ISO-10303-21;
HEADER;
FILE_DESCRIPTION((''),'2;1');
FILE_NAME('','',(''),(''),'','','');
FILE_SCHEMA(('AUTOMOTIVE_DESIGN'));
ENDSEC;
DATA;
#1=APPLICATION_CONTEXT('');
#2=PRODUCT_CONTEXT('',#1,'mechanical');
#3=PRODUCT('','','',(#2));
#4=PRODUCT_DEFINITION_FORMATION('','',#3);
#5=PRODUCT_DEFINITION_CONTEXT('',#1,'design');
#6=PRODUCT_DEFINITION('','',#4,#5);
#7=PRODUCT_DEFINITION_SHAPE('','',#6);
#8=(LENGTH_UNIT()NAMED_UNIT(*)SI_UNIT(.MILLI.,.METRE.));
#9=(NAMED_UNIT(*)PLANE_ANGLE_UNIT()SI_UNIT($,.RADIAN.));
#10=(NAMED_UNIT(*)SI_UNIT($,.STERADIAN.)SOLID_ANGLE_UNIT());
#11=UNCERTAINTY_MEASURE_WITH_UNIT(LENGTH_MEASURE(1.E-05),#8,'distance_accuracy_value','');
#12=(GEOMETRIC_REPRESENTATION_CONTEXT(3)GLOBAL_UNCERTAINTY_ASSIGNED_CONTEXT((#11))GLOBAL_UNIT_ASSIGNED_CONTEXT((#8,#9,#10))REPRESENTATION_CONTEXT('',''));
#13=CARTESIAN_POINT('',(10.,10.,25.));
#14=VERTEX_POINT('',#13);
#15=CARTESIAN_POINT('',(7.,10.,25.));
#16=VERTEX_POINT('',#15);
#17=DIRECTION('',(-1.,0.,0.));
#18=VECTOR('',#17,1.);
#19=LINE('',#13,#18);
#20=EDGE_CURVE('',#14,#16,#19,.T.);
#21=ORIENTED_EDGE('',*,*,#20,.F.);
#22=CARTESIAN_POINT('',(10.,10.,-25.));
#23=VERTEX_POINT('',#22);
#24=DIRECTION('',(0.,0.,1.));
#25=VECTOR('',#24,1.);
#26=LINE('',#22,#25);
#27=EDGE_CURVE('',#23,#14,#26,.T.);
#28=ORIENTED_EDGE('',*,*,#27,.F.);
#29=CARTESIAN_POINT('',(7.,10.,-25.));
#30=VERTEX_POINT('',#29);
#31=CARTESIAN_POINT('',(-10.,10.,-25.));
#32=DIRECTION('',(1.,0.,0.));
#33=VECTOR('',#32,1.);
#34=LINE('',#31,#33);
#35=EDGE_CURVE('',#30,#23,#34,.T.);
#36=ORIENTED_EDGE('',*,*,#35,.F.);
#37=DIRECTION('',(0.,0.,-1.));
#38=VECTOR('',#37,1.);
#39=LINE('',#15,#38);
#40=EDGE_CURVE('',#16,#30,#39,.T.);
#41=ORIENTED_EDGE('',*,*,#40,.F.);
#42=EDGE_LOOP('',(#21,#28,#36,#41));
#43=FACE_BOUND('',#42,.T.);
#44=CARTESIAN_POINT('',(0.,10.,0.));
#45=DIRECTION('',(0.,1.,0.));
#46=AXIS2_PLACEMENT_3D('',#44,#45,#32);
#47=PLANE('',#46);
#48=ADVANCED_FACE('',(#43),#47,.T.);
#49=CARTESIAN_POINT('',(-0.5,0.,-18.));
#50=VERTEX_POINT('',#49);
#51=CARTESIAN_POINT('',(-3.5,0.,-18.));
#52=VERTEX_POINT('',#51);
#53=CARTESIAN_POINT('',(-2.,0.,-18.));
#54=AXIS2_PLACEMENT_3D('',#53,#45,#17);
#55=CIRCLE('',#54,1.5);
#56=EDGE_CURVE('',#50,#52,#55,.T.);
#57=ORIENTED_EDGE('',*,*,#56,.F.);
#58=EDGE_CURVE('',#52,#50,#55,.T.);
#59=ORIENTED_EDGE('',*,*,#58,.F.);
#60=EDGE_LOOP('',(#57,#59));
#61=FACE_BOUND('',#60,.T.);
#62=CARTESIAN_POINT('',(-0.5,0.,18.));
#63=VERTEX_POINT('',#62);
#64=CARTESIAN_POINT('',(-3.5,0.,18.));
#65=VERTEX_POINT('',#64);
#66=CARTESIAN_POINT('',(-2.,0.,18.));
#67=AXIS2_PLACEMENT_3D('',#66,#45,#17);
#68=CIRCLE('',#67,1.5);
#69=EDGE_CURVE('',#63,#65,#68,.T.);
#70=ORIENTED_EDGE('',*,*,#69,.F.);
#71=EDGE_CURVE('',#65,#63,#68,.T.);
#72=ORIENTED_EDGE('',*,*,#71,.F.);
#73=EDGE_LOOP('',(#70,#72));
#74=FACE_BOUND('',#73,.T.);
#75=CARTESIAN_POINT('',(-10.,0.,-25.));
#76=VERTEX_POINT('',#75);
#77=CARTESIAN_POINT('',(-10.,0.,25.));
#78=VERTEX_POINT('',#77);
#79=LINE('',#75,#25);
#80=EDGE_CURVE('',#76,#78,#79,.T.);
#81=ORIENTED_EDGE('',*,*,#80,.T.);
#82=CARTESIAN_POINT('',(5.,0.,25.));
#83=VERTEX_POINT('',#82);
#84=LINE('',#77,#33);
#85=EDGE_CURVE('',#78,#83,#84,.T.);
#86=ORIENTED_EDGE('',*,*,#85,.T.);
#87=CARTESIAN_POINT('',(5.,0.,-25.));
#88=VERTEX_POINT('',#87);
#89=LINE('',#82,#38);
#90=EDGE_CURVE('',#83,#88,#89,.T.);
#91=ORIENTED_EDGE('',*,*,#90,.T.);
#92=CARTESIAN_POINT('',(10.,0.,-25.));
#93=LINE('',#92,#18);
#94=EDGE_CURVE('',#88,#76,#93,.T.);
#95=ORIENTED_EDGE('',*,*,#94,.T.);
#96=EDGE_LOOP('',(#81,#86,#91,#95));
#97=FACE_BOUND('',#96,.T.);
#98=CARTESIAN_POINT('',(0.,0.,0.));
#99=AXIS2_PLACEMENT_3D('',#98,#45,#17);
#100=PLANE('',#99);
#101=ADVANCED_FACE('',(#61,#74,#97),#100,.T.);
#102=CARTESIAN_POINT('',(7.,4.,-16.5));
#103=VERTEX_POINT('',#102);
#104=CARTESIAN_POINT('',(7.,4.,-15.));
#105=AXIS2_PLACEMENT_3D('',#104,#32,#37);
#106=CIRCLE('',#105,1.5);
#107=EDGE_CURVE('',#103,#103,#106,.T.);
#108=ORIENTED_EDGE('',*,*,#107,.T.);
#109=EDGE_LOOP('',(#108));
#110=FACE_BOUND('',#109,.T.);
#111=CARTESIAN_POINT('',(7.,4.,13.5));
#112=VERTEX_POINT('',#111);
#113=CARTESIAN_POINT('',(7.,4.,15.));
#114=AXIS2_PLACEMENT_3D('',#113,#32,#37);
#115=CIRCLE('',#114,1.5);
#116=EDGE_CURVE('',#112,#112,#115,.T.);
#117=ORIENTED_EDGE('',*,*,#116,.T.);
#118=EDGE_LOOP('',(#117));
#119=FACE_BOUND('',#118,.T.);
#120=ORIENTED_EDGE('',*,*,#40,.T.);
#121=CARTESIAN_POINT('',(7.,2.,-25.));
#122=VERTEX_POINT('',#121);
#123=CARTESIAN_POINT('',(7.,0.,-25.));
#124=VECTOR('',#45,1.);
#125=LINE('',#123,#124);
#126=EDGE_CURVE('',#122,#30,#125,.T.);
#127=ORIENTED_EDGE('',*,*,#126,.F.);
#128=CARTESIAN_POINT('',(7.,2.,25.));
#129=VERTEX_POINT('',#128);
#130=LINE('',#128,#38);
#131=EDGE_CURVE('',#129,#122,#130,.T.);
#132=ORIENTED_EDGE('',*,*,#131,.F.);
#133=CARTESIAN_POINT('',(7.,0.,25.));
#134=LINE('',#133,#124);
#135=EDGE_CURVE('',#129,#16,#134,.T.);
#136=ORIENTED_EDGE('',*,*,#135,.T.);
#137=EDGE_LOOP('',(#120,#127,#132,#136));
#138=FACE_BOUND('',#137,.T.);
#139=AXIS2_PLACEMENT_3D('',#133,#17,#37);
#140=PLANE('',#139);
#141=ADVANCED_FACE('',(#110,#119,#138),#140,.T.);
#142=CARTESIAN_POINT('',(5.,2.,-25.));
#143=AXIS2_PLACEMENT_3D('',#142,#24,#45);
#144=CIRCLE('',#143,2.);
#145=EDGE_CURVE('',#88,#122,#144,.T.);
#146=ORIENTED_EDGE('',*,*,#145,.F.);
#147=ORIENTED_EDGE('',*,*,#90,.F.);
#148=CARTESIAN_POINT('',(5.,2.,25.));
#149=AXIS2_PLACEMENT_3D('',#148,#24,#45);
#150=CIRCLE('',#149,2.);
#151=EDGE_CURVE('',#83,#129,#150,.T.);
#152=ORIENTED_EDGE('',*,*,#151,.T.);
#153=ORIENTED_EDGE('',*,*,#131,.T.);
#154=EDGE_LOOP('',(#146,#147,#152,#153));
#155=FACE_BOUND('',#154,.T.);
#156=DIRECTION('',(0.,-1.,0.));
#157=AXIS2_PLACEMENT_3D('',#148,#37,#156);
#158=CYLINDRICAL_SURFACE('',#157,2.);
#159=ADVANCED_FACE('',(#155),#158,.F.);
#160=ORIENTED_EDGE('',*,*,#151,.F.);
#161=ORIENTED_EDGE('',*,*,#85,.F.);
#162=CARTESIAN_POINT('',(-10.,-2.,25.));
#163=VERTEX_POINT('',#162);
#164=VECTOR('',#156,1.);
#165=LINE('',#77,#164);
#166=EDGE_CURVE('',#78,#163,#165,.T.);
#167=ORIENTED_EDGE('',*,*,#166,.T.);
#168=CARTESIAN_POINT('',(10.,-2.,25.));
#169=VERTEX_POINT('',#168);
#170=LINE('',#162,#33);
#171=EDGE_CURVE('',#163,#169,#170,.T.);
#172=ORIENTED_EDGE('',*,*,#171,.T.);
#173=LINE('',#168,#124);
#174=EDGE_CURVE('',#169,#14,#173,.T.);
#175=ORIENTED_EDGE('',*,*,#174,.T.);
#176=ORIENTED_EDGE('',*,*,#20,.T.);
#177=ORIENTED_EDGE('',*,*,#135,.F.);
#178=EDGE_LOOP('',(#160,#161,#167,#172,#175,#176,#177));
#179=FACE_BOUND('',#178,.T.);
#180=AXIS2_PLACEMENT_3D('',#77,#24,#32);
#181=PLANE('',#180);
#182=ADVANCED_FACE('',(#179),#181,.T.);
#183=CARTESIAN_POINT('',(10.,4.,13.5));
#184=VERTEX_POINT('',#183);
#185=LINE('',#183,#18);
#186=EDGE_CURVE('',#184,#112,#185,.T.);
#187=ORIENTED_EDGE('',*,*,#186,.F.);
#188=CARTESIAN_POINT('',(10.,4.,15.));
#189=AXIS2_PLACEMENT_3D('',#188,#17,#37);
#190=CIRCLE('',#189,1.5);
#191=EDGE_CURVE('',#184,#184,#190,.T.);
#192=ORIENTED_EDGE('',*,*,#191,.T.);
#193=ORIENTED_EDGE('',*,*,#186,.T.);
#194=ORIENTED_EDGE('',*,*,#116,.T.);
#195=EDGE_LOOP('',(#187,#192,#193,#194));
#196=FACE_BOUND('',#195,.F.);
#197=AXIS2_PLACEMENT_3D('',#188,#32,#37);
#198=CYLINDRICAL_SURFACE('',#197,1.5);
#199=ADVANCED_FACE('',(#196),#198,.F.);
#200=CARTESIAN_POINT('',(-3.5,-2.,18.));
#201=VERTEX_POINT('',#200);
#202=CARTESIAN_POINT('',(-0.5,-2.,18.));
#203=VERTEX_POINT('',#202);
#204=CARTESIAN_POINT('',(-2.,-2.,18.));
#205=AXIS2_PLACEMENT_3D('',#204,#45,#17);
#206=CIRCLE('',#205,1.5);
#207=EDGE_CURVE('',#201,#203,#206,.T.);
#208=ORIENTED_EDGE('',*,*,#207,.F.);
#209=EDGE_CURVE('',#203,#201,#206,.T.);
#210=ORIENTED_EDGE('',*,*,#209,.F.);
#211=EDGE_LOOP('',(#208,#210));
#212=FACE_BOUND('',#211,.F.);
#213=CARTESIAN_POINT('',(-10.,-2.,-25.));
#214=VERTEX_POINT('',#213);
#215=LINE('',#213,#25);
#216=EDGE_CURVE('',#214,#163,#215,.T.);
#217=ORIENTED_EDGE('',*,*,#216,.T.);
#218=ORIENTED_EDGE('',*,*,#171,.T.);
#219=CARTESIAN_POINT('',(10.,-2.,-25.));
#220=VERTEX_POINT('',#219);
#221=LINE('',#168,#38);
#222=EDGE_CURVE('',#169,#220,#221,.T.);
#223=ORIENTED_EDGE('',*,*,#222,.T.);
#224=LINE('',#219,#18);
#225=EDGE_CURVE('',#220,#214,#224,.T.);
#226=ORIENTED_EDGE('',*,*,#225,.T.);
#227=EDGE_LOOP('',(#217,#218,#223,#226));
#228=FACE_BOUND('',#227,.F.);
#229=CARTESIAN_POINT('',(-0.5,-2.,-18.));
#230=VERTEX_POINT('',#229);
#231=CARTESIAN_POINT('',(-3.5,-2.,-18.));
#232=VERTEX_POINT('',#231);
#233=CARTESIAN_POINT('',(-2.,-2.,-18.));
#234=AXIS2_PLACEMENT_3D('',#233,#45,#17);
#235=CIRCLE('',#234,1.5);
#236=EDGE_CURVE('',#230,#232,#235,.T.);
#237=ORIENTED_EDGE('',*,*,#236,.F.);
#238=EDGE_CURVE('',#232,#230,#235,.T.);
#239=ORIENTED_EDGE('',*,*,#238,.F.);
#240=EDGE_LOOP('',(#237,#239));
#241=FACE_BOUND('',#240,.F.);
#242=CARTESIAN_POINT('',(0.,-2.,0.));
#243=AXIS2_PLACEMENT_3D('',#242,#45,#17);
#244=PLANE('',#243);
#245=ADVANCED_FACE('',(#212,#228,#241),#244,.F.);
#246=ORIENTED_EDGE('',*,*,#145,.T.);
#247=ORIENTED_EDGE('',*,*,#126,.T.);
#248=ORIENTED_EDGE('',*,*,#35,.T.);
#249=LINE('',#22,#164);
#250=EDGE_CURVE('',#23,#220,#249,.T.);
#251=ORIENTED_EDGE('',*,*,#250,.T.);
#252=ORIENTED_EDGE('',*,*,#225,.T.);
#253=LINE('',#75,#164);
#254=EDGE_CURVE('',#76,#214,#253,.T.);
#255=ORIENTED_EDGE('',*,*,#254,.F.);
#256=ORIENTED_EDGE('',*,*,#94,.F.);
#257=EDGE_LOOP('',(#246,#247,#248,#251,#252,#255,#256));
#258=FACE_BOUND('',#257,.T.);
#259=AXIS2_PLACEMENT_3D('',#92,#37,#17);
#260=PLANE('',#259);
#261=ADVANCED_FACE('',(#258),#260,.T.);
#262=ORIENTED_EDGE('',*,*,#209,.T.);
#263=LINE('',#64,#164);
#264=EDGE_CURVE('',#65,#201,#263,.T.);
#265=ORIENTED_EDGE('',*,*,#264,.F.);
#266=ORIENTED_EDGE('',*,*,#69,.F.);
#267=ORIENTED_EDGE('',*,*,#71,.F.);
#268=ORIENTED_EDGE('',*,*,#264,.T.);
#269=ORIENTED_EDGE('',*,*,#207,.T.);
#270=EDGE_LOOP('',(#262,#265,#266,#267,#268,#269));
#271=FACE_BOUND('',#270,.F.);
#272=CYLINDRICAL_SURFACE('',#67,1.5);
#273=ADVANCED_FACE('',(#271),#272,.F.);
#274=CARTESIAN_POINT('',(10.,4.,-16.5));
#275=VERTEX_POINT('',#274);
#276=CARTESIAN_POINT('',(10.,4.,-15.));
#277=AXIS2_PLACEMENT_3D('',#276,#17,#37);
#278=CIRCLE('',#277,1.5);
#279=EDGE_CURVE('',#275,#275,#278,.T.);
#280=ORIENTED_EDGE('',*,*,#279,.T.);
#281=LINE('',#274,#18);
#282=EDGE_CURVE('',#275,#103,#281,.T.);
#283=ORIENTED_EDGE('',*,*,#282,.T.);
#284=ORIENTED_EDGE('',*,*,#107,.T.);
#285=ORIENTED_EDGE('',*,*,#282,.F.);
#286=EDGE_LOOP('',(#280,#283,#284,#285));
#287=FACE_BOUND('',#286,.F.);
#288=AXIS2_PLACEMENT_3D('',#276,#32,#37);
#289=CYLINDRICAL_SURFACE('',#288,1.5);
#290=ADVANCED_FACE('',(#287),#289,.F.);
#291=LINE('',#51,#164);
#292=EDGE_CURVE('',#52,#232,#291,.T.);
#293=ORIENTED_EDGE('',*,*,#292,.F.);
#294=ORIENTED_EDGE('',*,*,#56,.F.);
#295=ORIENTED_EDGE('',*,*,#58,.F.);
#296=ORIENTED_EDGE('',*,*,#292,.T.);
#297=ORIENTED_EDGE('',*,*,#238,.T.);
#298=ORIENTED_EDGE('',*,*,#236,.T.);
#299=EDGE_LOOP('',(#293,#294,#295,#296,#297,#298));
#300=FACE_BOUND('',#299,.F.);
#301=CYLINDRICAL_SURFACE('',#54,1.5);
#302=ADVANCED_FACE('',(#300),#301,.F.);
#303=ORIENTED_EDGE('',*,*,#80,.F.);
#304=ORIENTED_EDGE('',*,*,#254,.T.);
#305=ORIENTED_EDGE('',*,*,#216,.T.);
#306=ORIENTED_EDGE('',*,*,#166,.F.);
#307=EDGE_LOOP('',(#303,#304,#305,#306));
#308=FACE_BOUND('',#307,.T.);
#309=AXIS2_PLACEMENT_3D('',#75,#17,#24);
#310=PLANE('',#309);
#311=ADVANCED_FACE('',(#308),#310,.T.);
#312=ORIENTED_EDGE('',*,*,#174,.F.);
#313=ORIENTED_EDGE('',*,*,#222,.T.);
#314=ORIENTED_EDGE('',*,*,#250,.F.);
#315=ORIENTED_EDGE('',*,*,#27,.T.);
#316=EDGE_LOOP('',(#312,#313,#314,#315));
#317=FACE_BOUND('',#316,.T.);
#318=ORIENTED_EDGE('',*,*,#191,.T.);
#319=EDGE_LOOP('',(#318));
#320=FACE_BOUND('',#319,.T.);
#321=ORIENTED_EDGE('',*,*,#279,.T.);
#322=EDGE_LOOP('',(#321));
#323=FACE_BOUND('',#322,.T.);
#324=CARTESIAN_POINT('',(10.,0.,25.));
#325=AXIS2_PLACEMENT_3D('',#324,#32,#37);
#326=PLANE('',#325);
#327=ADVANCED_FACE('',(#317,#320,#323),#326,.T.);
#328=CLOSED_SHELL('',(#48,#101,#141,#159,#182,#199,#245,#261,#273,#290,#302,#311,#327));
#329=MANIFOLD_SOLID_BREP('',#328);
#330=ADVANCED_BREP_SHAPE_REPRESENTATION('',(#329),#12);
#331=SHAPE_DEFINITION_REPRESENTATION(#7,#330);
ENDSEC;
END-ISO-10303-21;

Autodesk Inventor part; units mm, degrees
ref_plane "YZ Plane" through (0, 0, 0) normal (1, 0, 0) x (0, 1, 0)
ref_plane "XZ Plane" through (0, 0, 0) normal (0, 1, 0) x (-1, 0, 0)
ref_plane "XY Plane" through (0, 0, 0) normal (0, 0, 1) x (1, 0, 0)
sketch "Sketch1" plane through (0, 0, 0) normal (0, 1, 0) x (-1, 0, 0)
  line L0 (10, 25) -> (-10, 25)
  line L1 (-10, 25) -> (-10, -25)
  line L2 (-10, -25) -> (10, -25)
  line L3 (10, -25) -> (10, 25)
  line L4 (10, 25) -> (-10, -25) construction
  line L5 (-10, 25) -> (10, -25) construction
  line L6 (0, 0) -> (0, -18)
  line L7 (0, -18) -> (0, 18)
  line L8 (0, 18) -> (2, 18)
  line L9 (0, -18) -> (2, -18)
  circle A0 centre (2, 18) radius 1.5
  circle A1 centre (2, -18) radius 1.5
  dimension "d0" = 20
  dimension "d1" = 50
  dimension "d2" = 18
  dimension "d3" = 36
  dimension "d4" = 2
  dimension "d5" = 2
  dimension "d6" = 3
  dimension "d7" = 3
extrude "Extrusion1" add sketch "Sketch1" against normal blind 2
sketch "Sketch2" plane through (0, 0, 0) normal (0, 1, 0) x (1, 0, 0)
  line L0 (10, 25) -> (10, -25) projected
  line L1 (10, -25) -> (7, -25)
  line L2 (10, -25) -> (-10, -25) projected
  line L3 (7, -25) -> (7, 25)
  line L4 (-10, 25) -> (10, 25) projected
  line L5 (7, 25) -> (10, 25)
  line L6 (10, 25) -> (10, -25)
  point P0 (0, 0)
  dimension "d10" = 3
extrude "Extrusion2" add sketch "Sketch2" along normal blind 10
sketch "Sketch3" plane through (10, -2, 25) normal (1, 0, 0) x (0, 0, -1)
  line L0 (50, 0) -> (0, 0) projected
  line L1 (25, 0) -> (25, 6)
  line L2 (25, 6) -> (45, 6)
  line L3 (45, 6) -> (25, 6)
  line L4 (25, 6) -> (5, 6)
  line L5 (5, 6) -> (10, 6)
  line L6 (10, 6) -> (40, 6)
  circle A0 centre (40, 6) radius 1.5
  circle A1 centre (10, 6) radius 1.5
  point P0 (25, 2)
  dimension "d13" = 6
  dimension "d14" = 20
  dimension "d15" = 20
  dimension "d16" = 20
  dimension "d17" = 5
  dimension "d18" = 30
  dimension "d19" = 3
  dimension "d20" = 3
extrude "Extrusion3" cut sketch "Sketch3" against normal blind 10
fillet "Fillet1" radius 2 1 edges at (7, 0, 0)
properties part number "IR_holder" material "Aluminum, Anodized Red"
